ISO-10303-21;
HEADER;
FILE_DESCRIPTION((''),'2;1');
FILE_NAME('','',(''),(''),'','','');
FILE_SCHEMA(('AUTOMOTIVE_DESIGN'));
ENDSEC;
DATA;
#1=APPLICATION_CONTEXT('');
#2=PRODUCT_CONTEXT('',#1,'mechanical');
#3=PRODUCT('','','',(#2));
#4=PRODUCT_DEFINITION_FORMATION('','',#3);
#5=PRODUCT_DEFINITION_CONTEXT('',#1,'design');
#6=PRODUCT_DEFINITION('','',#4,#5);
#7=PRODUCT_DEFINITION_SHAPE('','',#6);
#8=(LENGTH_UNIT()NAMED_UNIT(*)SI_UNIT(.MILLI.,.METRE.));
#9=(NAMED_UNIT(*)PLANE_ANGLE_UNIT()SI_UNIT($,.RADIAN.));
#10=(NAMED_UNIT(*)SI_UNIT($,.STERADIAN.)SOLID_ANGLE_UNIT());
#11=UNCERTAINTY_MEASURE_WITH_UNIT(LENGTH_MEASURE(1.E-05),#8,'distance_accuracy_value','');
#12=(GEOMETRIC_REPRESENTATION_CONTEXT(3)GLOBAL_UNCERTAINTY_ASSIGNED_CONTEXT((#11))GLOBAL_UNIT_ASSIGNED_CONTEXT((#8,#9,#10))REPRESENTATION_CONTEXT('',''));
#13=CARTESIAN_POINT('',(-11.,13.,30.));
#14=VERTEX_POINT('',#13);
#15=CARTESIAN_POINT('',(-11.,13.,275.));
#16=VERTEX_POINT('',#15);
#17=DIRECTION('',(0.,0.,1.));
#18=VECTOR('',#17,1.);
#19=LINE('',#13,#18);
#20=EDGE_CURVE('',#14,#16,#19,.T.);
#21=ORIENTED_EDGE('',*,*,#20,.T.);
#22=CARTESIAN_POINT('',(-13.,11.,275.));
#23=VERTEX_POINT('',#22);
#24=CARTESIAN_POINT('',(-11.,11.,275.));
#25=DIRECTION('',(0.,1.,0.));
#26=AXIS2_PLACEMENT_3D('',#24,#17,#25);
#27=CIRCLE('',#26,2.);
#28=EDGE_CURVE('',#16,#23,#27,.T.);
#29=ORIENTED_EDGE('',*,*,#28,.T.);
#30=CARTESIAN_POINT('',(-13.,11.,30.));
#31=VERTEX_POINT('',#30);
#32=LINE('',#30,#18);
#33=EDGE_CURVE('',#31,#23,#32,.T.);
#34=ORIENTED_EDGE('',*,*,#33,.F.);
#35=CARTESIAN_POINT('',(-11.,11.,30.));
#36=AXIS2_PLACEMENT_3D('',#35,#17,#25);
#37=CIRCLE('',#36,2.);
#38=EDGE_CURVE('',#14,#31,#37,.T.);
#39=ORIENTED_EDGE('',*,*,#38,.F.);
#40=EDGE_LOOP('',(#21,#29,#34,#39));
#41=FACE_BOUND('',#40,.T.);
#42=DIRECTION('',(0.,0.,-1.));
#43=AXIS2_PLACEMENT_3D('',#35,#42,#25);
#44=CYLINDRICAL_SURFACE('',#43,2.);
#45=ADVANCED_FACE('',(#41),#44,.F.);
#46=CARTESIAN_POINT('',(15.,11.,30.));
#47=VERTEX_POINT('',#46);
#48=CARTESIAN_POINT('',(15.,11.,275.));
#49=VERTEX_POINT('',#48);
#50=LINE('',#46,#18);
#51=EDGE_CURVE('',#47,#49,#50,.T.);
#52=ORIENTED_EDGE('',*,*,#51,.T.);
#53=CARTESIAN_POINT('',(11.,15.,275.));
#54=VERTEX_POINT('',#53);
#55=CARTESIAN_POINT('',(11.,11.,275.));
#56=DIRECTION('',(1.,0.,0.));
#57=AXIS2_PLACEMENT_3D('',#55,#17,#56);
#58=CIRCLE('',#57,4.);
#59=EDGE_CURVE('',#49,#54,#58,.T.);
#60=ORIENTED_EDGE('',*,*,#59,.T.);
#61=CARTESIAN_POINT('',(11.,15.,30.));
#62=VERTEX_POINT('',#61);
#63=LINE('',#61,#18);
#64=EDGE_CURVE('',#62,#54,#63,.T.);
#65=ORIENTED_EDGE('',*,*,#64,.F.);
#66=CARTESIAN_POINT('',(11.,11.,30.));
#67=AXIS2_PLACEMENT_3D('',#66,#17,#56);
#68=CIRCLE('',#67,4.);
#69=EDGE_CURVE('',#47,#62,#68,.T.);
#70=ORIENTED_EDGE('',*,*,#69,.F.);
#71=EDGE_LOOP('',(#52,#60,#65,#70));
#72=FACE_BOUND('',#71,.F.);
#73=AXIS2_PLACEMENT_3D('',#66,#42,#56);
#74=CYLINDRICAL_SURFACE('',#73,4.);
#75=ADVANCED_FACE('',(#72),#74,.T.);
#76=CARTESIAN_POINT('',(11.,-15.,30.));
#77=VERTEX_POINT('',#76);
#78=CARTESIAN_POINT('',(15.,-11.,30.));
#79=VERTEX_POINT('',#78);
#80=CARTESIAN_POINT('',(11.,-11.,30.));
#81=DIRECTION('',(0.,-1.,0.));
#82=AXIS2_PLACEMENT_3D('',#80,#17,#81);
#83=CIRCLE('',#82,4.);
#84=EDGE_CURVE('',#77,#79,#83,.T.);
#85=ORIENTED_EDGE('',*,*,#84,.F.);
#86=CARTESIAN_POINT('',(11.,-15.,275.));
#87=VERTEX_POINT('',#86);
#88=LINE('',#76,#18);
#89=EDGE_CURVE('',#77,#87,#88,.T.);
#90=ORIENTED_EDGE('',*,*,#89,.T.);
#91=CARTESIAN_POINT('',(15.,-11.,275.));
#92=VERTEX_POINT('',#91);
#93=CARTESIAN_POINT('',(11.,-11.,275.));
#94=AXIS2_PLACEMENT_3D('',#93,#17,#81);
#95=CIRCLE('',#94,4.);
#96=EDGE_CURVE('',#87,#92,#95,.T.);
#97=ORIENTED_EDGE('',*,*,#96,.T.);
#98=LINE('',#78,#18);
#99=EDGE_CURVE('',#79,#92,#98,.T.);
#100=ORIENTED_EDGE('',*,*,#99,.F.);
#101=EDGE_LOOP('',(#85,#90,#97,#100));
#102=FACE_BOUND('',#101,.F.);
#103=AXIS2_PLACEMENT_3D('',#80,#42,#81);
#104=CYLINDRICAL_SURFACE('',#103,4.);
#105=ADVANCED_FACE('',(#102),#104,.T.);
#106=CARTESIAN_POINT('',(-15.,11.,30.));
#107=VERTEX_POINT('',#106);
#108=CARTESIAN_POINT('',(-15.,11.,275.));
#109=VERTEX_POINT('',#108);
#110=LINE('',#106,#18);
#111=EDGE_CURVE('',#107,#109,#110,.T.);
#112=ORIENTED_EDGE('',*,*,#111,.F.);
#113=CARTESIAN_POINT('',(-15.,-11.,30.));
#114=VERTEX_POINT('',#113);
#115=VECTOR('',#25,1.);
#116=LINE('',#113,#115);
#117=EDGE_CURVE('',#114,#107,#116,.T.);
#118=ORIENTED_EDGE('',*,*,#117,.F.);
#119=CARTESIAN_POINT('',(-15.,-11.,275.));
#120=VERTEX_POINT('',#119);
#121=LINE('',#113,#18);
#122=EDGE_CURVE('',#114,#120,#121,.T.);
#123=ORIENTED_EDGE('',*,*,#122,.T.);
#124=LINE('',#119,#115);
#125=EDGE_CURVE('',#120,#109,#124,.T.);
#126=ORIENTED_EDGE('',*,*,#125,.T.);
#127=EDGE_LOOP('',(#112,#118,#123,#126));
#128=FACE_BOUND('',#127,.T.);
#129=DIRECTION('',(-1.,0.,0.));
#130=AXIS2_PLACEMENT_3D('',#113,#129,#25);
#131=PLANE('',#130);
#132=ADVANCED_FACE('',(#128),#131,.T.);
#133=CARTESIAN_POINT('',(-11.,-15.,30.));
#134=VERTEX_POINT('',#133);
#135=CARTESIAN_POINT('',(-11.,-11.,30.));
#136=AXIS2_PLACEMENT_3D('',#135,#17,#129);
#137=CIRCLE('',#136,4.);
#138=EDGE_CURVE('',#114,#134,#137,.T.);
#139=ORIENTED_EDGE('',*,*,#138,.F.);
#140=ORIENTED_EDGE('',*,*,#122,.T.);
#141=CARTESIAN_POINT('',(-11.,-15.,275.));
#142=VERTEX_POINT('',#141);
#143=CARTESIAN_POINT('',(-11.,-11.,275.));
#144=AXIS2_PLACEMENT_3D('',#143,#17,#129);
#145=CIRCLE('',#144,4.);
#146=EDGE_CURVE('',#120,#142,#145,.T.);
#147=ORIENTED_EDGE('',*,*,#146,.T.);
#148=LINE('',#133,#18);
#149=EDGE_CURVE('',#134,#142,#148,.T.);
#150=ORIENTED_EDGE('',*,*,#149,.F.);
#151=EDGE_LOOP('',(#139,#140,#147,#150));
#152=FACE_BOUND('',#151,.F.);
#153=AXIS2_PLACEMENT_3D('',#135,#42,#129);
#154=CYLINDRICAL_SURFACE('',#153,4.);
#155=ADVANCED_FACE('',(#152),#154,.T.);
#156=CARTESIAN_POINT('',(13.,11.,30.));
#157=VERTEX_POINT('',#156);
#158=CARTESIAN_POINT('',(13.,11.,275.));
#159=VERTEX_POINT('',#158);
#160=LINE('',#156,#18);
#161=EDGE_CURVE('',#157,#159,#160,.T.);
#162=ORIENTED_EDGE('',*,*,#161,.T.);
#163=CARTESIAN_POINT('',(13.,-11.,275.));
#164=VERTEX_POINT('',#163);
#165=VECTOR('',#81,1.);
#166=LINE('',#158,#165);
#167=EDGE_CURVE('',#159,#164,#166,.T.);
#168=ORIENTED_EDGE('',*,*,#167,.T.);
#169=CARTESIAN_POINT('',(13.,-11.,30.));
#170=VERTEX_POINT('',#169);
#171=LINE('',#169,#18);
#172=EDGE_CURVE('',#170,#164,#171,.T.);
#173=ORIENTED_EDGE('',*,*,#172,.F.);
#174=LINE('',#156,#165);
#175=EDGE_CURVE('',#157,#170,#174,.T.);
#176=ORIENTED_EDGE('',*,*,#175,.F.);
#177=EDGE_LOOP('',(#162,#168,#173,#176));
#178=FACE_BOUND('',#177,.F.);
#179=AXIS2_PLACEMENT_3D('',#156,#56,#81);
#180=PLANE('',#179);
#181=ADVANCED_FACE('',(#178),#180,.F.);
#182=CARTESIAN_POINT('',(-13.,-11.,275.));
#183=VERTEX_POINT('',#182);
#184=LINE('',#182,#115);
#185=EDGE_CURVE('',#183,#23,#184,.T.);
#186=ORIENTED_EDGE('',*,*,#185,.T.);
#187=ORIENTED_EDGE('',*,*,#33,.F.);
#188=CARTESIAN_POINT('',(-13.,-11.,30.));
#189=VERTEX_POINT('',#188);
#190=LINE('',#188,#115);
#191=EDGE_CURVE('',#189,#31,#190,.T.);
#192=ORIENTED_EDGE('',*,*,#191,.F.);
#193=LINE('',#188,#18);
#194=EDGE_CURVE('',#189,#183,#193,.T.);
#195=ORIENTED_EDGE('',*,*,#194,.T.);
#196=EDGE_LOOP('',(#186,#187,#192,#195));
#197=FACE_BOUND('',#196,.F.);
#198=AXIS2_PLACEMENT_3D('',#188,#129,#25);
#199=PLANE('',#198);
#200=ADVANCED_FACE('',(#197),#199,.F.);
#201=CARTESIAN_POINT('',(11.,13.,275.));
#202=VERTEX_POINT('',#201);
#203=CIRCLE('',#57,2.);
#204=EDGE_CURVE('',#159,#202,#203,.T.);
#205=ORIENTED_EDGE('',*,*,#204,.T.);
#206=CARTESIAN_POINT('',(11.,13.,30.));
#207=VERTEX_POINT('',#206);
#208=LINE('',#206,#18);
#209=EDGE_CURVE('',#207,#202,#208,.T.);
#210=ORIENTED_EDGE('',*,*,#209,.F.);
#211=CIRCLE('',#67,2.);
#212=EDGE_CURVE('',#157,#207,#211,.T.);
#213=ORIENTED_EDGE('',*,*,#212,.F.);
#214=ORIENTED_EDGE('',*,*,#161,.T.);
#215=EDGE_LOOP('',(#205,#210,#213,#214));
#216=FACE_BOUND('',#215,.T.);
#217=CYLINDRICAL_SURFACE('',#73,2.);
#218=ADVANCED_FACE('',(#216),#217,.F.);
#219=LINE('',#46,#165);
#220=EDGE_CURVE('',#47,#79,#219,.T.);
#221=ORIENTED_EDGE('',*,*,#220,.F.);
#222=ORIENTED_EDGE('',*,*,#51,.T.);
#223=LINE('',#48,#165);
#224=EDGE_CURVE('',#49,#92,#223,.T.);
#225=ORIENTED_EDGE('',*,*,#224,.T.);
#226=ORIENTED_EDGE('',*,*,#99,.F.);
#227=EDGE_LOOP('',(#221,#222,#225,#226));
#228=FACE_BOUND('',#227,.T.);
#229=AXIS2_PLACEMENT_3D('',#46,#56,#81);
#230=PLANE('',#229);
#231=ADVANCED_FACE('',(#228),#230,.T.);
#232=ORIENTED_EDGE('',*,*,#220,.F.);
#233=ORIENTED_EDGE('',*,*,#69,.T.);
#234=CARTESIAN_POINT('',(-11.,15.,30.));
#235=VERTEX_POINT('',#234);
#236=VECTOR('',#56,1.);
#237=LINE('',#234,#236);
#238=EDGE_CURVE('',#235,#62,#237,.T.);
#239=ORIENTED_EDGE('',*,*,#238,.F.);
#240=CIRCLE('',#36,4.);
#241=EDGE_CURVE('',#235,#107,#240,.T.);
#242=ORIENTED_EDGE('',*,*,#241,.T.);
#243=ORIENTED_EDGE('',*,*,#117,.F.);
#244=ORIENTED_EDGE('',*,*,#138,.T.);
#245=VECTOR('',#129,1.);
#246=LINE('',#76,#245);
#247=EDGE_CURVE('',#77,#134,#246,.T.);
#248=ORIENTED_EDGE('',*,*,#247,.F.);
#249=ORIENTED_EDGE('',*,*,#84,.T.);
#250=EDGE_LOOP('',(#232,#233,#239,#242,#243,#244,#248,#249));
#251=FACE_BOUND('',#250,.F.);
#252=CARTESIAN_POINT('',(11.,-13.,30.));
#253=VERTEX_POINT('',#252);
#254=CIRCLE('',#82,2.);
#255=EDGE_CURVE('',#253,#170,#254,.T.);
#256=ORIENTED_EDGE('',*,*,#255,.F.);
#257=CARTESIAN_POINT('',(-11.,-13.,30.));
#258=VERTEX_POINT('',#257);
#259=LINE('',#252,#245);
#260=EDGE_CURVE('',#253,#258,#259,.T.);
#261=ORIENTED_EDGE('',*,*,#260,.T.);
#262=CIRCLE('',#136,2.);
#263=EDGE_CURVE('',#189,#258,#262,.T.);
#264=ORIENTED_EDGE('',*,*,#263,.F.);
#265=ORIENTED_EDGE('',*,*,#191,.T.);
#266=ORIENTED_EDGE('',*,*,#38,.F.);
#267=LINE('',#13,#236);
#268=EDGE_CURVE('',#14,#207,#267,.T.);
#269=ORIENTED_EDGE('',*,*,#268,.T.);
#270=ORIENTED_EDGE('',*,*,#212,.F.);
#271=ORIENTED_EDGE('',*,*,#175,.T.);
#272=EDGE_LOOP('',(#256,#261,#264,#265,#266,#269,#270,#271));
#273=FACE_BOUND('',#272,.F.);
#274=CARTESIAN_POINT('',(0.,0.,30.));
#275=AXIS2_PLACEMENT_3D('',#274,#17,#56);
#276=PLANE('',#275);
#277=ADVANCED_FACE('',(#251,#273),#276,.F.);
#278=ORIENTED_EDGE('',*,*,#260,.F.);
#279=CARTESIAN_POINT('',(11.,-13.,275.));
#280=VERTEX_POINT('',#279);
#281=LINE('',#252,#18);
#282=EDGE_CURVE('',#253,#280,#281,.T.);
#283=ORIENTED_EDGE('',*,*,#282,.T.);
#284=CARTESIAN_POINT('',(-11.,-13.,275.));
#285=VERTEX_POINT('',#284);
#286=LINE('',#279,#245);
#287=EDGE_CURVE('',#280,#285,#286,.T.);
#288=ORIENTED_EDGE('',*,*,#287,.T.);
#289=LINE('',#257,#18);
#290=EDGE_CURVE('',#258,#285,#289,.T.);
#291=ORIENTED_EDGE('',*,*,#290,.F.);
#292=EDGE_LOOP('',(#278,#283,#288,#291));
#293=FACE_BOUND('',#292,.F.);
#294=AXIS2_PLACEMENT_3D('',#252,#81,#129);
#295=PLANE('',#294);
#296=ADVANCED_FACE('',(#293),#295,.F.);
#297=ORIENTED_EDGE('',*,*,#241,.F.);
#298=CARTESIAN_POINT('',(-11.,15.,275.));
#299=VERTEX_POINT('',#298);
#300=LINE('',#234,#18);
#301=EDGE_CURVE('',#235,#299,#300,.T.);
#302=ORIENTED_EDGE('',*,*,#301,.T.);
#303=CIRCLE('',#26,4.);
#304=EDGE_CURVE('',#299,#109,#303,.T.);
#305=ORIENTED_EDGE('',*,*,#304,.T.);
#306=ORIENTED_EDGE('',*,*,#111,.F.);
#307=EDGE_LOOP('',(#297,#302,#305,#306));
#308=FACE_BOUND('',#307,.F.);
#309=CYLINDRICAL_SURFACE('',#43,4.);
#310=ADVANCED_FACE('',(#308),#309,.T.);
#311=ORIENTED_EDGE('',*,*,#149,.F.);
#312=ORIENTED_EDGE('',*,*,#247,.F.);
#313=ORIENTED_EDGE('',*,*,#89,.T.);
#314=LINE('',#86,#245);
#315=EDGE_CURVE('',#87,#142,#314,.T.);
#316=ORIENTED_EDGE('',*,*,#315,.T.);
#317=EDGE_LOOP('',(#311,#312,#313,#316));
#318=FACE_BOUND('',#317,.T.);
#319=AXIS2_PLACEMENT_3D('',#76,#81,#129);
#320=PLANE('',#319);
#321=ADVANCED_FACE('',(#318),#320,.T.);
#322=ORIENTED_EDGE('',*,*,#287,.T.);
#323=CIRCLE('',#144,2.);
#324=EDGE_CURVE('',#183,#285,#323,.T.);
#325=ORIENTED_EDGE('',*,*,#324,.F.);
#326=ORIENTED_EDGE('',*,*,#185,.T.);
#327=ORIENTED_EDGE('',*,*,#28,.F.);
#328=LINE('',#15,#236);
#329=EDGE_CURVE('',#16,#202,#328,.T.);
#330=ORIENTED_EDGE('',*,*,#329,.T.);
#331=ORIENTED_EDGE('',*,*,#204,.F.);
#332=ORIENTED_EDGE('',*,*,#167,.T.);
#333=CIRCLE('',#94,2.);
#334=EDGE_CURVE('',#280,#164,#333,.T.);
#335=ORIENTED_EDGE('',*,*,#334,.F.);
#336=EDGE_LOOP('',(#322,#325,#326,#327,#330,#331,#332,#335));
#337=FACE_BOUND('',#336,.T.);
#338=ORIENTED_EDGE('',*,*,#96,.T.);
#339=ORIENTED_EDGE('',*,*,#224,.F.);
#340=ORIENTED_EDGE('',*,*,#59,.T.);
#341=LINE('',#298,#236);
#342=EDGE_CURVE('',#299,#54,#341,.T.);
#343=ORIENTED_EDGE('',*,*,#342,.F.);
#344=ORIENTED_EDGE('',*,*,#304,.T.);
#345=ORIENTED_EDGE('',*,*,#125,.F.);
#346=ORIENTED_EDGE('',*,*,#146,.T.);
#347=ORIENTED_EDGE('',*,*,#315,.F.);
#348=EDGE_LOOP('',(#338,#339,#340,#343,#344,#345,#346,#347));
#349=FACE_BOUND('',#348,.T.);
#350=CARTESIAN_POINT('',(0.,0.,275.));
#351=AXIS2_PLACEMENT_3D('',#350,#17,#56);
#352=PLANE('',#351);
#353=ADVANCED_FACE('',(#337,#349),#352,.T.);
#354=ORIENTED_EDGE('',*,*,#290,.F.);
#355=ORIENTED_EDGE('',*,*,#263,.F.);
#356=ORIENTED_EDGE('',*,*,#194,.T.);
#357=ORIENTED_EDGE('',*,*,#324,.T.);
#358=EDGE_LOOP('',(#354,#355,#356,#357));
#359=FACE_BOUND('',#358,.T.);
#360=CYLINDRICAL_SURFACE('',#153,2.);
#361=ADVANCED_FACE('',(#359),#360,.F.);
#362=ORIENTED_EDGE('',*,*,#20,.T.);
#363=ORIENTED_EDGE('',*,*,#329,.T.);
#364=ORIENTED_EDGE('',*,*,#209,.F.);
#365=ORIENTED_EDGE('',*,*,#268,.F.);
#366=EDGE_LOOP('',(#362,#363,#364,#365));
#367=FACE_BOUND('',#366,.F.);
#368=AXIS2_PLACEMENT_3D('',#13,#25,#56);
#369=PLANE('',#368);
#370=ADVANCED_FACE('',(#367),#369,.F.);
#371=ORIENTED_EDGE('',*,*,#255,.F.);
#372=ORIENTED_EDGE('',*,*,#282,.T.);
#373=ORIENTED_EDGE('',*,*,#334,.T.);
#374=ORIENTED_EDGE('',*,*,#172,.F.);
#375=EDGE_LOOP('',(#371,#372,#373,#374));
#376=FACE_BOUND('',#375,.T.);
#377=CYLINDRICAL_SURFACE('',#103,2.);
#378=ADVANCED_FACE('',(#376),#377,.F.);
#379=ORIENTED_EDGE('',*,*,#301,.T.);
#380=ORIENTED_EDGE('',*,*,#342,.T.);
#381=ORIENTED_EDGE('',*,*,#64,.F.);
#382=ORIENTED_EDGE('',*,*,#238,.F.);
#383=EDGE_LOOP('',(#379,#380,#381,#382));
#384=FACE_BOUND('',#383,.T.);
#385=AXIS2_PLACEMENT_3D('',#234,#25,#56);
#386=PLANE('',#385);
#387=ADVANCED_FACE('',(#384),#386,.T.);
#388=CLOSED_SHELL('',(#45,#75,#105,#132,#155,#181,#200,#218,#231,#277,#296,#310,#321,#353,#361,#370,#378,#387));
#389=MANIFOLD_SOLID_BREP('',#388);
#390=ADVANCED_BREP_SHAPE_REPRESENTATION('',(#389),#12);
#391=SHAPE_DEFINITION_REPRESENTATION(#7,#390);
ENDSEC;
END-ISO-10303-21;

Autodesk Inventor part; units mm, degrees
ref_plane "Plano inicial" through (0, 0, 30) normal (0, 0, 1) x (1, 0, 0)
ref_plane "Plano final" through (0, 0, 275) normal (0, 0, 1) x (1, 0, 0)
sketch "Esboço" plane through (0, 0, 0) normal (0, 0, 1) x (1, 0, 0)
  line L0 (-15, -11) -> (-15, 11)
  line L1 (-11, 15) -> (11, 15)
  line L2 (15, 11) -> (15, -11)
  line L3 (11, -15) -> (-11, -15)
  arc A0 (-15, -11) -> (-11, -15) centre (-11, -11) ccw
  arc A1 (15, 11) -> (11, 15) centre (11, 11) ccw
  arc A2 (-11, 15) -> (-15, 11) centre (-11, 11) ccw
  arc A3 (11, -15) -> (15, -11) centre (11, -11) ccw
  arc A4 (-11, 13) -> (-13, 11) centre (-11, 11) ccw
  line L4 (-11, 13) -> (11, 13)
  arc A5 (13, 11) -> (11, 13) centre (11, 11) ccw
  line L5 (13, 11) -> (13, -11)
  arc A6 (11, -13) -> (13, -11) centre (11, -11) ccw
  line L6 (11, -13) -> (-11, -13)
  arc A7 (-13, -11) -> (-11, -13) centre (-11, -11) ccw
  line L7 (-13, -11) -> (-13, 11)
  line L8 (0, 22.1598) -> (0, -22.1598) construction
  line L9 (-22.1598, 0) -> (22.1598, 0) construction
  dimension "d7" = 4
  dimension "d9" = 30
  dimension "d11" = 30
  dimension "d12" = 2
  dimension "d15" = 15
  dimension "d16" = 15
extrude "Corpo" add sketch "Esboço" along normal up to surface (245 mm away) from surface at 30
sketch "Sketch3" plane through (0, 0, 0) normal (0, 0, 1) x (1, 0, 0)
  line L0 (0, 0) -> (10, 0)
ref_plane "Work Plane3" through (0, 0, 0) normal (0, -1, 0) x (1, 0, 0)
sketch "Sketch4" plane through (0, 0, 0) normal (0, -1, 0) x (1, 0, 0)
  line L0 (-2, 30) -> (12, 30)
  line L1 (-2, 275) -> (12, 275)
  dimension "d18" = 245
ref_plane "Plano de trabalho4" through (218, 11, 30) normal (0, 0, -1) x (-1, 0, 0)
split "Dividir1" plane through (218, 11, 30) removes the side toward (0, 0, -1)
ref_plane "Plano de trabalho5" through (-332, 11, 275) normal (0, 0, 1) x (1, 0, 0)
split "Dividir2" plane through (-332, 11, 275) removes the side toward (0, 0, 1)
equation "\"d7\" = G_IR"
equation "\"d9\" = G_W"
equation "\"d11\" = G_H"
equation "\"d12\" = G_T"
equation "\"d15\" = 0.5 * d9"
equation "\"d16\" = 0.5 * d11"
equation "\"d3\" = G_L"
equation "\"G_W\" = 30"
equation "\"G_H\" = 30"
equation "\"G_T\" = 2"
equation "\"G_IR\" = 4"
equation "\"G_L\" = d18"
equation "\"G_OFFSET_END\" = 0"
equation "\"d14\" = G_OFFSET_END + B_L"
equation "\"B_L\" = 275"
properties part number "ISO 10799-2 - 30x30x2 - 245" material "Aço, suave"
